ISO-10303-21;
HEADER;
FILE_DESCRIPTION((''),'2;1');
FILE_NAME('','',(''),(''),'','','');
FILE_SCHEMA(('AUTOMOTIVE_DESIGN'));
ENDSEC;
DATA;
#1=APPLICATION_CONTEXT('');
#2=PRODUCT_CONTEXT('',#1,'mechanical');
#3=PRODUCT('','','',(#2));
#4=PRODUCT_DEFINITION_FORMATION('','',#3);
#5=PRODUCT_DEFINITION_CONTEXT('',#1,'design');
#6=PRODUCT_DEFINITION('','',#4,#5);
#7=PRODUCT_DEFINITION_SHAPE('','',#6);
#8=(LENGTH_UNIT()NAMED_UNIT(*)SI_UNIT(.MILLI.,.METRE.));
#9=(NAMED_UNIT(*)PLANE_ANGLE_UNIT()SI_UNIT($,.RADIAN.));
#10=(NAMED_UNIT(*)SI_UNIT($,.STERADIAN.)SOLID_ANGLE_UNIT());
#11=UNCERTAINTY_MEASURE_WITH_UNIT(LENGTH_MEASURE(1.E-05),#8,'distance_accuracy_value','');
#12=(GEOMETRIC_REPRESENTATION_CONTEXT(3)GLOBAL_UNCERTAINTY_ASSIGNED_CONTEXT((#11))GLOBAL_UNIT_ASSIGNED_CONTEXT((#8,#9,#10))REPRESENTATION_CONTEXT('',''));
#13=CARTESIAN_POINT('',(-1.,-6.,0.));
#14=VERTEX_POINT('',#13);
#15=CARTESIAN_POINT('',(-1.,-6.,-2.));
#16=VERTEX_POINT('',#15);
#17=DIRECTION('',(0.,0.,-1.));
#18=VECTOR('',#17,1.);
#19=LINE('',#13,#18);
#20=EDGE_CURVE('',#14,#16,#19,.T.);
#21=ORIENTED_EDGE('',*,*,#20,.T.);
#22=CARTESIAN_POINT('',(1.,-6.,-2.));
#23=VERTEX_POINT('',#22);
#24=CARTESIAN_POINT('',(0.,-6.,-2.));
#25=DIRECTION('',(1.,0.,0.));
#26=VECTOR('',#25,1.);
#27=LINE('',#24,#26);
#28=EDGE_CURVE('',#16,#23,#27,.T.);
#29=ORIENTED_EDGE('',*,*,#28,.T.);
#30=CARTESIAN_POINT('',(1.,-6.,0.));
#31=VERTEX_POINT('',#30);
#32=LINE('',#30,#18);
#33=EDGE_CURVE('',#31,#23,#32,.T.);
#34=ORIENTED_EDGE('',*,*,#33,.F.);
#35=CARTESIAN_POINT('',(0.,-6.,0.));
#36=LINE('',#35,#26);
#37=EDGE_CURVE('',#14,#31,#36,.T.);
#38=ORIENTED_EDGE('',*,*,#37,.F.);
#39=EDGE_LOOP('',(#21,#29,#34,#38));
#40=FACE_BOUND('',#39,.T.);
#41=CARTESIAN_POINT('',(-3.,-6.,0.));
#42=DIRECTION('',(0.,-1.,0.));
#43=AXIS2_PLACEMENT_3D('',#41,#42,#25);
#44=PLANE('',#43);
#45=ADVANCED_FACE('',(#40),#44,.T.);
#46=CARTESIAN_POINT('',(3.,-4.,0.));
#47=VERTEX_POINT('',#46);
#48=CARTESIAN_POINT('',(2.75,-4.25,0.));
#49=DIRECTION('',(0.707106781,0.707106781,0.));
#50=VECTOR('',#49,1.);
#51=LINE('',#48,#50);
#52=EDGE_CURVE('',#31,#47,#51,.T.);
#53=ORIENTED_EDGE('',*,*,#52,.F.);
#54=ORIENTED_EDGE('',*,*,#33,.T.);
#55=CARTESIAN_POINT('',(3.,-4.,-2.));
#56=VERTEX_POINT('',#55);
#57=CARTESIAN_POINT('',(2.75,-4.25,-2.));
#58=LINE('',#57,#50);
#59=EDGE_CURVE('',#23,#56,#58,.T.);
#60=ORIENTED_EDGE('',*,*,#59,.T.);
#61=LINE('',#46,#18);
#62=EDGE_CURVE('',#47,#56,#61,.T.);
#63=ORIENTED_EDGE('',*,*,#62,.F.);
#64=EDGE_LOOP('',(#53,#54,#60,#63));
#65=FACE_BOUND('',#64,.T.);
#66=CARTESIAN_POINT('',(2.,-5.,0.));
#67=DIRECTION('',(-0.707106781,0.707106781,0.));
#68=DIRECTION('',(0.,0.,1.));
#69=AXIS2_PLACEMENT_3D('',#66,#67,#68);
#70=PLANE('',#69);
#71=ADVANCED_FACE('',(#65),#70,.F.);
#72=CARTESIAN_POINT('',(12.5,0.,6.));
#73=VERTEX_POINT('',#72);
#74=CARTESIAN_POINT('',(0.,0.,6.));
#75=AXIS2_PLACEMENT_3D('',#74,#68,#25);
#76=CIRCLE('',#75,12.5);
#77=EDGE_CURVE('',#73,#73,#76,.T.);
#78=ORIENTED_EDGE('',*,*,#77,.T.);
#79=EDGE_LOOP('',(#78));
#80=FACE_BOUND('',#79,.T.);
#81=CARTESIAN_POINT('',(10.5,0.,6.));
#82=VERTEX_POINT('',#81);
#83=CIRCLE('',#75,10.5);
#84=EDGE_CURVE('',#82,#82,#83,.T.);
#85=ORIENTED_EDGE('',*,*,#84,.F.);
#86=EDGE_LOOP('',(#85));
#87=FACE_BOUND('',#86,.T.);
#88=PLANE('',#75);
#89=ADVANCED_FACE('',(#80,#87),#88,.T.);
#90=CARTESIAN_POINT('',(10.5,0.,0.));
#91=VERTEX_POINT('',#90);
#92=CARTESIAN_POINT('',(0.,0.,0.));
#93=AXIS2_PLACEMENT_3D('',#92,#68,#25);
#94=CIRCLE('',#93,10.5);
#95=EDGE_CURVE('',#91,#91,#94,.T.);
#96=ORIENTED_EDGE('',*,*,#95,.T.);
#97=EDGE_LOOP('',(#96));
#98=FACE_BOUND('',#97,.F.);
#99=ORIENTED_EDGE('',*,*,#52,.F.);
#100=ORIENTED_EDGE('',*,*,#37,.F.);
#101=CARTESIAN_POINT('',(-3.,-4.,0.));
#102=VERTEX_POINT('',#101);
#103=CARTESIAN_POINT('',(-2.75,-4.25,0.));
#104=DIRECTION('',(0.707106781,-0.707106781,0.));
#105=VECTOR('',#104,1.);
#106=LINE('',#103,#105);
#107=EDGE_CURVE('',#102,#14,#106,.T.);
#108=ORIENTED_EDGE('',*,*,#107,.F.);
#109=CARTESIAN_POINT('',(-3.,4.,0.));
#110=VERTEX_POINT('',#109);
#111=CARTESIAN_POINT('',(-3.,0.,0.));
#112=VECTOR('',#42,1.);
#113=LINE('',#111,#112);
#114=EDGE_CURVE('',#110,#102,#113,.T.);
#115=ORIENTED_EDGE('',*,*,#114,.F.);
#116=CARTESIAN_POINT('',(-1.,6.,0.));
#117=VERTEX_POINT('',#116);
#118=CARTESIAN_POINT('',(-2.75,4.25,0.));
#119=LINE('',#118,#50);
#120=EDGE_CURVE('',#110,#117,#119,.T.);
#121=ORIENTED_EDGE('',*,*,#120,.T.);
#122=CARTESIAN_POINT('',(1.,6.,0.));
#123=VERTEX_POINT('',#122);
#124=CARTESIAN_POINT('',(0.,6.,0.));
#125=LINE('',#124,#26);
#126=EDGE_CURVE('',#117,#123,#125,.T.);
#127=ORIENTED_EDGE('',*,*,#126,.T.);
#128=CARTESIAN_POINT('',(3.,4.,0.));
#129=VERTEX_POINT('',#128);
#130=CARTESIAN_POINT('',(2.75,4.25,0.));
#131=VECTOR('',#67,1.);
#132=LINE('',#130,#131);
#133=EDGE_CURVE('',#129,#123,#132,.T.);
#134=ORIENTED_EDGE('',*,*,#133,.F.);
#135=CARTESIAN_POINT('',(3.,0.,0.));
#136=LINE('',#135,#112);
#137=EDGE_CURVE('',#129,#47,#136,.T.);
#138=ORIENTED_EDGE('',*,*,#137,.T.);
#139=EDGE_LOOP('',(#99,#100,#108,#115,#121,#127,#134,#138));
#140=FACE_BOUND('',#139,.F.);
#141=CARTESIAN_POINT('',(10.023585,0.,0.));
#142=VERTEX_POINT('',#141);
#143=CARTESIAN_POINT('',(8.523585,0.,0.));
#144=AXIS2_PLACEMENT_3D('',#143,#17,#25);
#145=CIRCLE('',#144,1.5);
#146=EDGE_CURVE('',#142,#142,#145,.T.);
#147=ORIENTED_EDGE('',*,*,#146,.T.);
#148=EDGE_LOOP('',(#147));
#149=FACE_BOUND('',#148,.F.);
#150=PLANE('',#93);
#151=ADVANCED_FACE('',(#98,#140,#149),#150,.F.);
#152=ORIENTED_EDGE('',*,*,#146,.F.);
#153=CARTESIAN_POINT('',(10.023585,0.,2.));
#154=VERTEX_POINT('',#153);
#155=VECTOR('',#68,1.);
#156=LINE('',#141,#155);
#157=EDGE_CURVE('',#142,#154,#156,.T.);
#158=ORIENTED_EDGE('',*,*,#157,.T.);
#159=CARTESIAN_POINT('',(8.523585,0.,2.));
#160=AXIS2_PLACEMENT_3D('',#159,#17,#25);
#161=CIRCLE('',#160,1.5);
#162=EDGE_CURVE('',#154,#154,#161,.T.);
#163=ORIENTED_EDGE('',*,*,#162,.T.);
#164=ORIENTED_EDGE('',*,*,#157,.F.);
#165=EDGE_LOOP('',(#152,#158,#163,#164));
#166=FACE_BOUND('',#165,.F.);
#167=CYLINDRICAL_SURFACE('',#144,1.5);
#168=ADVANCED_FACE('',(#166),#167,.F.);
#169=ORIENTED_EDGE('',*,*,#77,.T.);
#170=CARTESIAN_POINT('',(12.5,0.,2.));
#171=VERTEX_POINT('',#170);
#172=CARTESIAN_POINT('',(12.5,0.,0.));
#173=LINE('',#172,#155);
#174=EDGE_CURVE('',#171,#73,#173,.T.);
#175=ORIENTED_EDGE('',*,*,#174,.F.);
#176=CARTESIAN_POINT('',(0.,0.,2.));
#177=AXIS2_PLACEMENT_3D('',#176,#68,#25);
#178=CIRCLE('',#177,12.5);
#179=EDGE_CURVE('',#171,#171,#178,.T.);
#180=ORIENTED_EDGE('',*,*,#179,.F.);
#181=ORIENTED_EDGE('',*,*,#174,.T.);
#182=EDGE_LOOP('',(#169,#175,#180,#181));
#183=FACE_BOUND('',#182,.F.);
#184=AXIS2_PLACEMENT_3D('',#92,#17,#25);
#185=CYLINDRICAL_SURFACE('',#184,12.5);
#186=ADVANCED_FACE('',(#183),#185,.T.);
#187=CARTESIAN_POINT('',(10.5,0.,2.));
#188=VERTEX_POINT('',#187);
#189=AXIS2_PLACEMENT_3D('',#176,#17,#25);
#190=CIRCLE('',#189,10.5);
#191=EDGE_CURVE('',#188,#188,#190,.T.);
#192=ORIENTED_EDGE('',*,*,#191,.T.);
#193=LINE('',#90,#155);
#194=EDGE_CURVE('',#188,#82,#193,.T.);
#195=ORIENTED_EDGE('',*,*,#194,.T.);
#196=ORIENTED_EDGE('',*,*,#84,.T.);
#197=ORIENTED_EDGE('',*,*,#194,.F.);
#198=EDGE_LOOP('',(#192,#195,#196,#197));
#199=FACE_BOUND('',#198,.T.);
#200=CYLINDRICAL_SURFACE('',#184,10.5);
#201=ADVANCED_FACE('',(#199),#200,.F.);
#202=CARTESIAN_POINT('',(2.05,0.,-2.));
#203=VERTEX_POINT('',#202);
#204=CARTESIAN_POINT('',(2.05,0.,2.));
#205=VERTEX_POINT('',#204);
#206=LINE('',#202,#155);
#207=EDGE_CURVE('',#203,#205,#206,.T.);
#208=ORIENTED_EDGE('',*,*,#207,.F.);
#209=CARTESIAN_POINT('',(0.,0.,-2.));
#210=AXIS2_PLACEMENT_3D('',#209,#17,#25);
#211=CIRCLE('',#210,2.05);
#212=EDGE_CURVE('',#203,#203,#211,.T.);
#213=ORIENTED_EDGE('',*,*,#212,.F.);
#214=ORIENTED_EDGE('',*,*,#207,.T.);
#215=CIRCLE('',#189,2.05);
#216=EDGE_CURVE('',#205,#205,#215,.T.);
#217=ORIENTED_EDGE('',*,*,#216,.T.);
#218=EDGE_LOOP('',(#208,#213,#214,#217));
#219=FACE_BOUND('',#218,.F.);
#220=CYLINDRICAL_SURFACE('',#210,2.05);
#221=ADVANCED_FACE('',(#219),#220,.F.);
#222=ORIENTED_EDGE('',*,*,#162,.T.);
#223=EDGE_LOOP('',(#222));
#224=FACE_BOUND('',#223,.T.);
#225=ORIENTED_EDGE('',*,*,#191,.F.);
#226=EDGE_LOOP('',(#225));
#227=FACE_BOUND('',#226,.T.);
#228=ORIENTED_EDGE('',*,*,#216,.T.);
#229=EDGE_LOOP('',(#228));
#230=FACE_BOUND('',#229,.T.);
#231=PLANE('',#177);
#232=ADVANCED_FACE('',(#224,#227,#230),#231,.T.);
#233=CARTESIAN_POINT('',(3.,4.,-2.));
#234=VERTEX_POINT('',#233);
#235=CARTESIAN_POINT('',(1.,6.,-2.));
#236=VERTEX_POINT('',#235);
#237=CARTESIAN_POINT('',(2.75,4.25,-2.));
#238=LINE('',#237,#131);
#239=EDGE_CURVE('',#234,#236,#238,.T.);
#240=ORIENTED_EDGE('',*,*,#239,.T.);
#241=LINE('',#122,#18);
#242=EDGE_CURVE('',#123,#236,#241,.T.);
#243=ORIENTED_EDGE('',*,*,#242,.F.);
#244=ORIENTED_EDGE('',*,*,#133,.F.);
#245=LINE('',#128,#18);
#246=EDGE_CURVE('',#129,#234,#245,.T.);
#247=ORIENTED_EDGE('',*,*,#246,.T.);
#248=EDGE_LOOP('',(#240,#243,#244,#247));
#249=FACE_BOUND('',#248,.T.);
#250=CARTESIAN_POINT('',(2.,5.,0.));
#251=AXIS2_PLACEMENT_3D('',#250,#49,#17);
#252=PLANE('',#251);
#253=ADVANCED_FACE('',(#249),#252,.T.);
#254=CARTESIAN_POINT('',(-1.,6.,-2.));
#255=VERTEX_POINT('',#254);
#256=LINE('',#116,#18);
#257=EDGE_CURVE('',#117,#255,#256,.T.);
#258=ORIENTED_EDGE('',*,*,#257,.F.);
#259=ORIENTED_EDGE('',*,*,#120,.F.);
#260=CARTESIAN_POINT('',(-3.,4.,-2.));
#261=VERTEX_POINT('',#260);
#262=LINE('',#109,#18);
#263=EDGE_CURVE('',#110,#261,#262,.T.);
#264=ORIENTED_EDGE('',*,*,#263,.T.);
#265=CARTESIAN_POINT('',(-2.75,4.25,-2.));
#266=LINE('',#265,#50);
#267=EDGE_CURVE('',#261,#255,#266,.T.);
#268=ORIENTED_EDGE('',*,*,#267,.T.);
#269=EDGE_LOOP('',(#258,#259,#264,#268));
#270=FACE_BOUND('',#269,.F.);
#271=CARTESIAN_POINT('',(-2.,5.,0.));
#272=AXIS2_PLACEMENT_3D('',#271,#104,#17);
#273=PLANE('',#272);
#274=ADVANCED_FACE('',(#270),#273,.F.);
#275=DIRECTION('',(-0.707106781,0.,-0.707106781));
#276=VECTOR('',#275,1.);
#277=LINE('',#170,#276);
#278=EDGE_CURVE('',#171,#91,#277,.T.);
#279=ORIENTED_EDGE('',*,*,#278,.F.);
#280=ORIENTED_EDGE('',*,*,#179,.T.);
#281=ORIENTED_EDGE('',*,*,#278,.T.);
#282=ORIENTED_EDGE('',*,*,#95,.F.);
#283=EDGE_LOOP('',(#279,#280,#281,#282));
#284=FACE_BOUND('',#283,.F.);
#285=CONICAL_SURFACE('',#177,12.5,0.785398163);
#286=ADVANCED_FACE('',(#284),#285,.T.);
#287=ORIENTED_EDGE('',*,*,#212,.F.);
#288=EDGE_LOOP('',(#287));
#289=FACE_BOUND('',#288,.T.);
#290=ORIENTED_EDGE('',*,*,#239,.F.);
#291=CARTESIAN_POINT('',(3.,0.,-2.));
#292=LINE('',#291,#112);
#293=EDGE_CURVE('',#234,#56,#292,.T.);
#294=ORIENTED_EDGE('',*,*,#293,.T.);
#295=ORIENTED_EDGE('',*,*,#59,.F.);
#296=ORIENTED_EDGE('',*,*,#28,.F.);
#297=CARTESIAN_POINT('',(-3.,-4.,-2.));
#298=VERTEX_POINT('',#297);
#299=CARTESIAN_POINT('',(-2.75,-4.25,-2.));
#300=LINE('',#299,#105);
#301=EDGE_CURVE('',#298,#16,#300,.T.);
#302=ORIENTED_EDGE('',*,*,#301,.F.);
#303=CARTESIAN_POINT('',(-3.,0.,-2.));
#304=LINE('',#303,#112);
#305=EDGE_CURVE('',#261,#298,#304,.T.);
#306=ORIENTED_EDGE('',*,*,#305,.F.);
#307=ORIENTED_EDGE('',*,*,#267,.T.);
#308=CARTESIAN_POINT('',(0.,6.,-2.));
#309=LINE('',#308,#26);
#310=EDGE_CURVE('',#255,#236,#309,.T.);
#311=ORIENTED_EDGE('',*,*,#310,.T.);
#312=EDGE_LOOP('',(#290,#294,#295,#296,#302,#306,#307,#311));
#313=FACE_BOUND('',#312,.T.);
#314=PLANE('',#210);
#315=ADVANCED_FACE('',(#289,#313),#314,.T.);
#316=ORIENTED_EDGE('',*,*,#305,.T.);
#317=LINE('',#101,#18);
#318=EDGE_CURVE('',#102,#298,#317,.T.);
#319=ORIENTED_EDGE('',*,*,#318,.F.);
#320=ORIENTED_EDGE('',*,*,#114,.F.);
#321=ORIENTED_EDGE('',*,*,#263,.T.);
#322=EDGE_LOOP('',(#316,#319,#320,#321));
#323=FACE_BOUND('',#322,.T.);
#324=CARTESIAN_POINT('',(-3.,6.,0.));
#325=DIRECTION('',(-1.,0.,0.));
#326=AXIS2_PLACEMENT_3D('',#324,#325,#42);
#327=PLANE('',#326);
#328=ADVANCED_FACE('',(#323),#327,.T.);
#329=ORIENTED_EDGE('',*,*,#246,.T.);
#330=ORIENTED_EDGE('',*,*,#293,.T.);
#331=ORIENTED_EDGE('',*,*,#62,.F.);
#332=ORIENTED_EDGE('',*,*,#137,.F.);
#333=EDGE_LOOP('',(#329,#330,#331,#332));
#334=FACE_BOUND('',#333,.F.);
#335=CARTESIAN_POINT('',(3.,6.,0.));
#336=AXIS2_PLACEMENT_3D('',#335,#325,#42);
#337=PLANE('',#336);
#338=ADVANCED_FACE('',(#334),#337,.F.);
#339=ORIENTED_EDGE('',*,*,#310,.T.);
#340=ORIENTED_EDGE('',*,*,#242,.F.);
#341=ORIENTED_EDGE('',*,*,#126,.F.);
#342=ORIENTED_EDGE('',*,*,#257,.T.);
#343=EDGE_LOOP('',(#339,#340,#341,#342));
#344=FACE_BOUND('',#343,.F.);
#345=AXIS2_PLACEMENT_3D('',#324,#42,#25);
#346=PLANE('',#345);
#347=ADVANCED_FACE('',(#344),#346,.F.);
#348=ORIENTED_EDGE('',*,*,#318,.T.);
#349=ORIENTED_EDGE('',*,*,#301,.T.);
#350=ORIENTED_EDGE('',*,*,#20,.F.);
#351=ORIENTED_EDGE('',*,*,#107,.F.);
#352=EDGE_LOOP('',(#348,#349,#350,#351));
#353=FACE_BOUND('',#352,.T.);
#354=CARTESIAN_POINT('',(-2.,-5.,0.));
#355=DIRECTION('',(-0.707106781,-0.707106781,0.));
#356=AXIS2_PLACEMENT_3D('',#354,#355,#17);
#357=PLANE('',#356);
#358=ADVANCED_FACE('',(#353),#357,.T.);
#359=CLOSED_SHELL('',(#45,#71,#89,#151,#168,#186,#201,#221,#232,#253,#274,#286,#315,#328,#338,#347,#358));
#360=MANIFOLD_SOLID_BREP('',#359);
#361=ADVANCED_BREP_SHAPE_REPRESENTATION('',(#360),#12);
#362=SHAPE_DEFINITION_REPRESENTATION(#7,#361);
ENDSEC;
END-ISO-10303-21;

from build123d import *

# Parameters (mm, degrees)
F0_R      = 12.5
F1_DEPTH  = 6
F2_T      = -2
F3_SIZE   = 2
F4_W      = 6
F4_H      = 12
F5_DEPTH  = 2
F6_SIZE   = 2
F7_R      = 2.05
F8_DEPTH  = 25
F9_R      = 1.5
F10_DEPTH = 25


with BuildPart() as f1:
    # F0 (on Top) → F1 (new body)
    with BuildSketch(Plane.XY):
        Circle(F0_R)
    extrude(amount=F1_DEPTH)

    # F2
    f2_openings = [f1.faces().sort_by_distance(p)[0] for p in [
        (0, 0, 6),
    ]]
    offset(amount=F2_T, openings=f2_openings)

    # F3
    f3_edges = [f1.edges().sort_by_distance(p)[0] for p in [
        (-12.5, 0, 0),
    ]]
    chamfer(f3_edges, length=F3_SIZE)

    # F4 (on face) → F5 (join)
    with BuildSketch(Plane(origin=(0, 0, 0), x_dir=(1, 0, 0), z_dir=(0, 0, -1))):
        Rectangle(F4_W, F4_H)
    extrude(amount=F5_DEPTH)

    # F6
    f6_edges = [f1.edges().sort_by_distance(p)[0] for p in [
        (3, -6, -1),
        (-3, -6, -1),
        (3, 6, -1),
        (-3, 6, -1),
    ]]
    chamfer(f6_edges, length=F6_SIZE)

    # F7 (on face) → F8 (cut)
    with BuildSketch(Plane(origin=(0, 0, -2), x_dir=(1, 0, 0), z_dir=(0, 0, -1))):
        Circle(F7_R)
    extrude(amount=-F8_DEPTH, mode=Mode.SUBTRACT)

    # F9 (on face) → F10 (cut)
    with BuildSketch(Plane(origin=(0, 0, 0), x_dir=(1, 0, 0), z_dir=(0, 0, -1))):
        with Locations((8.523585, 0)):
            Circle(F9_R)
    extrude(amount=-F10_DEPTH, mode=Mode.SUBTRACT)


solid = f1.part
